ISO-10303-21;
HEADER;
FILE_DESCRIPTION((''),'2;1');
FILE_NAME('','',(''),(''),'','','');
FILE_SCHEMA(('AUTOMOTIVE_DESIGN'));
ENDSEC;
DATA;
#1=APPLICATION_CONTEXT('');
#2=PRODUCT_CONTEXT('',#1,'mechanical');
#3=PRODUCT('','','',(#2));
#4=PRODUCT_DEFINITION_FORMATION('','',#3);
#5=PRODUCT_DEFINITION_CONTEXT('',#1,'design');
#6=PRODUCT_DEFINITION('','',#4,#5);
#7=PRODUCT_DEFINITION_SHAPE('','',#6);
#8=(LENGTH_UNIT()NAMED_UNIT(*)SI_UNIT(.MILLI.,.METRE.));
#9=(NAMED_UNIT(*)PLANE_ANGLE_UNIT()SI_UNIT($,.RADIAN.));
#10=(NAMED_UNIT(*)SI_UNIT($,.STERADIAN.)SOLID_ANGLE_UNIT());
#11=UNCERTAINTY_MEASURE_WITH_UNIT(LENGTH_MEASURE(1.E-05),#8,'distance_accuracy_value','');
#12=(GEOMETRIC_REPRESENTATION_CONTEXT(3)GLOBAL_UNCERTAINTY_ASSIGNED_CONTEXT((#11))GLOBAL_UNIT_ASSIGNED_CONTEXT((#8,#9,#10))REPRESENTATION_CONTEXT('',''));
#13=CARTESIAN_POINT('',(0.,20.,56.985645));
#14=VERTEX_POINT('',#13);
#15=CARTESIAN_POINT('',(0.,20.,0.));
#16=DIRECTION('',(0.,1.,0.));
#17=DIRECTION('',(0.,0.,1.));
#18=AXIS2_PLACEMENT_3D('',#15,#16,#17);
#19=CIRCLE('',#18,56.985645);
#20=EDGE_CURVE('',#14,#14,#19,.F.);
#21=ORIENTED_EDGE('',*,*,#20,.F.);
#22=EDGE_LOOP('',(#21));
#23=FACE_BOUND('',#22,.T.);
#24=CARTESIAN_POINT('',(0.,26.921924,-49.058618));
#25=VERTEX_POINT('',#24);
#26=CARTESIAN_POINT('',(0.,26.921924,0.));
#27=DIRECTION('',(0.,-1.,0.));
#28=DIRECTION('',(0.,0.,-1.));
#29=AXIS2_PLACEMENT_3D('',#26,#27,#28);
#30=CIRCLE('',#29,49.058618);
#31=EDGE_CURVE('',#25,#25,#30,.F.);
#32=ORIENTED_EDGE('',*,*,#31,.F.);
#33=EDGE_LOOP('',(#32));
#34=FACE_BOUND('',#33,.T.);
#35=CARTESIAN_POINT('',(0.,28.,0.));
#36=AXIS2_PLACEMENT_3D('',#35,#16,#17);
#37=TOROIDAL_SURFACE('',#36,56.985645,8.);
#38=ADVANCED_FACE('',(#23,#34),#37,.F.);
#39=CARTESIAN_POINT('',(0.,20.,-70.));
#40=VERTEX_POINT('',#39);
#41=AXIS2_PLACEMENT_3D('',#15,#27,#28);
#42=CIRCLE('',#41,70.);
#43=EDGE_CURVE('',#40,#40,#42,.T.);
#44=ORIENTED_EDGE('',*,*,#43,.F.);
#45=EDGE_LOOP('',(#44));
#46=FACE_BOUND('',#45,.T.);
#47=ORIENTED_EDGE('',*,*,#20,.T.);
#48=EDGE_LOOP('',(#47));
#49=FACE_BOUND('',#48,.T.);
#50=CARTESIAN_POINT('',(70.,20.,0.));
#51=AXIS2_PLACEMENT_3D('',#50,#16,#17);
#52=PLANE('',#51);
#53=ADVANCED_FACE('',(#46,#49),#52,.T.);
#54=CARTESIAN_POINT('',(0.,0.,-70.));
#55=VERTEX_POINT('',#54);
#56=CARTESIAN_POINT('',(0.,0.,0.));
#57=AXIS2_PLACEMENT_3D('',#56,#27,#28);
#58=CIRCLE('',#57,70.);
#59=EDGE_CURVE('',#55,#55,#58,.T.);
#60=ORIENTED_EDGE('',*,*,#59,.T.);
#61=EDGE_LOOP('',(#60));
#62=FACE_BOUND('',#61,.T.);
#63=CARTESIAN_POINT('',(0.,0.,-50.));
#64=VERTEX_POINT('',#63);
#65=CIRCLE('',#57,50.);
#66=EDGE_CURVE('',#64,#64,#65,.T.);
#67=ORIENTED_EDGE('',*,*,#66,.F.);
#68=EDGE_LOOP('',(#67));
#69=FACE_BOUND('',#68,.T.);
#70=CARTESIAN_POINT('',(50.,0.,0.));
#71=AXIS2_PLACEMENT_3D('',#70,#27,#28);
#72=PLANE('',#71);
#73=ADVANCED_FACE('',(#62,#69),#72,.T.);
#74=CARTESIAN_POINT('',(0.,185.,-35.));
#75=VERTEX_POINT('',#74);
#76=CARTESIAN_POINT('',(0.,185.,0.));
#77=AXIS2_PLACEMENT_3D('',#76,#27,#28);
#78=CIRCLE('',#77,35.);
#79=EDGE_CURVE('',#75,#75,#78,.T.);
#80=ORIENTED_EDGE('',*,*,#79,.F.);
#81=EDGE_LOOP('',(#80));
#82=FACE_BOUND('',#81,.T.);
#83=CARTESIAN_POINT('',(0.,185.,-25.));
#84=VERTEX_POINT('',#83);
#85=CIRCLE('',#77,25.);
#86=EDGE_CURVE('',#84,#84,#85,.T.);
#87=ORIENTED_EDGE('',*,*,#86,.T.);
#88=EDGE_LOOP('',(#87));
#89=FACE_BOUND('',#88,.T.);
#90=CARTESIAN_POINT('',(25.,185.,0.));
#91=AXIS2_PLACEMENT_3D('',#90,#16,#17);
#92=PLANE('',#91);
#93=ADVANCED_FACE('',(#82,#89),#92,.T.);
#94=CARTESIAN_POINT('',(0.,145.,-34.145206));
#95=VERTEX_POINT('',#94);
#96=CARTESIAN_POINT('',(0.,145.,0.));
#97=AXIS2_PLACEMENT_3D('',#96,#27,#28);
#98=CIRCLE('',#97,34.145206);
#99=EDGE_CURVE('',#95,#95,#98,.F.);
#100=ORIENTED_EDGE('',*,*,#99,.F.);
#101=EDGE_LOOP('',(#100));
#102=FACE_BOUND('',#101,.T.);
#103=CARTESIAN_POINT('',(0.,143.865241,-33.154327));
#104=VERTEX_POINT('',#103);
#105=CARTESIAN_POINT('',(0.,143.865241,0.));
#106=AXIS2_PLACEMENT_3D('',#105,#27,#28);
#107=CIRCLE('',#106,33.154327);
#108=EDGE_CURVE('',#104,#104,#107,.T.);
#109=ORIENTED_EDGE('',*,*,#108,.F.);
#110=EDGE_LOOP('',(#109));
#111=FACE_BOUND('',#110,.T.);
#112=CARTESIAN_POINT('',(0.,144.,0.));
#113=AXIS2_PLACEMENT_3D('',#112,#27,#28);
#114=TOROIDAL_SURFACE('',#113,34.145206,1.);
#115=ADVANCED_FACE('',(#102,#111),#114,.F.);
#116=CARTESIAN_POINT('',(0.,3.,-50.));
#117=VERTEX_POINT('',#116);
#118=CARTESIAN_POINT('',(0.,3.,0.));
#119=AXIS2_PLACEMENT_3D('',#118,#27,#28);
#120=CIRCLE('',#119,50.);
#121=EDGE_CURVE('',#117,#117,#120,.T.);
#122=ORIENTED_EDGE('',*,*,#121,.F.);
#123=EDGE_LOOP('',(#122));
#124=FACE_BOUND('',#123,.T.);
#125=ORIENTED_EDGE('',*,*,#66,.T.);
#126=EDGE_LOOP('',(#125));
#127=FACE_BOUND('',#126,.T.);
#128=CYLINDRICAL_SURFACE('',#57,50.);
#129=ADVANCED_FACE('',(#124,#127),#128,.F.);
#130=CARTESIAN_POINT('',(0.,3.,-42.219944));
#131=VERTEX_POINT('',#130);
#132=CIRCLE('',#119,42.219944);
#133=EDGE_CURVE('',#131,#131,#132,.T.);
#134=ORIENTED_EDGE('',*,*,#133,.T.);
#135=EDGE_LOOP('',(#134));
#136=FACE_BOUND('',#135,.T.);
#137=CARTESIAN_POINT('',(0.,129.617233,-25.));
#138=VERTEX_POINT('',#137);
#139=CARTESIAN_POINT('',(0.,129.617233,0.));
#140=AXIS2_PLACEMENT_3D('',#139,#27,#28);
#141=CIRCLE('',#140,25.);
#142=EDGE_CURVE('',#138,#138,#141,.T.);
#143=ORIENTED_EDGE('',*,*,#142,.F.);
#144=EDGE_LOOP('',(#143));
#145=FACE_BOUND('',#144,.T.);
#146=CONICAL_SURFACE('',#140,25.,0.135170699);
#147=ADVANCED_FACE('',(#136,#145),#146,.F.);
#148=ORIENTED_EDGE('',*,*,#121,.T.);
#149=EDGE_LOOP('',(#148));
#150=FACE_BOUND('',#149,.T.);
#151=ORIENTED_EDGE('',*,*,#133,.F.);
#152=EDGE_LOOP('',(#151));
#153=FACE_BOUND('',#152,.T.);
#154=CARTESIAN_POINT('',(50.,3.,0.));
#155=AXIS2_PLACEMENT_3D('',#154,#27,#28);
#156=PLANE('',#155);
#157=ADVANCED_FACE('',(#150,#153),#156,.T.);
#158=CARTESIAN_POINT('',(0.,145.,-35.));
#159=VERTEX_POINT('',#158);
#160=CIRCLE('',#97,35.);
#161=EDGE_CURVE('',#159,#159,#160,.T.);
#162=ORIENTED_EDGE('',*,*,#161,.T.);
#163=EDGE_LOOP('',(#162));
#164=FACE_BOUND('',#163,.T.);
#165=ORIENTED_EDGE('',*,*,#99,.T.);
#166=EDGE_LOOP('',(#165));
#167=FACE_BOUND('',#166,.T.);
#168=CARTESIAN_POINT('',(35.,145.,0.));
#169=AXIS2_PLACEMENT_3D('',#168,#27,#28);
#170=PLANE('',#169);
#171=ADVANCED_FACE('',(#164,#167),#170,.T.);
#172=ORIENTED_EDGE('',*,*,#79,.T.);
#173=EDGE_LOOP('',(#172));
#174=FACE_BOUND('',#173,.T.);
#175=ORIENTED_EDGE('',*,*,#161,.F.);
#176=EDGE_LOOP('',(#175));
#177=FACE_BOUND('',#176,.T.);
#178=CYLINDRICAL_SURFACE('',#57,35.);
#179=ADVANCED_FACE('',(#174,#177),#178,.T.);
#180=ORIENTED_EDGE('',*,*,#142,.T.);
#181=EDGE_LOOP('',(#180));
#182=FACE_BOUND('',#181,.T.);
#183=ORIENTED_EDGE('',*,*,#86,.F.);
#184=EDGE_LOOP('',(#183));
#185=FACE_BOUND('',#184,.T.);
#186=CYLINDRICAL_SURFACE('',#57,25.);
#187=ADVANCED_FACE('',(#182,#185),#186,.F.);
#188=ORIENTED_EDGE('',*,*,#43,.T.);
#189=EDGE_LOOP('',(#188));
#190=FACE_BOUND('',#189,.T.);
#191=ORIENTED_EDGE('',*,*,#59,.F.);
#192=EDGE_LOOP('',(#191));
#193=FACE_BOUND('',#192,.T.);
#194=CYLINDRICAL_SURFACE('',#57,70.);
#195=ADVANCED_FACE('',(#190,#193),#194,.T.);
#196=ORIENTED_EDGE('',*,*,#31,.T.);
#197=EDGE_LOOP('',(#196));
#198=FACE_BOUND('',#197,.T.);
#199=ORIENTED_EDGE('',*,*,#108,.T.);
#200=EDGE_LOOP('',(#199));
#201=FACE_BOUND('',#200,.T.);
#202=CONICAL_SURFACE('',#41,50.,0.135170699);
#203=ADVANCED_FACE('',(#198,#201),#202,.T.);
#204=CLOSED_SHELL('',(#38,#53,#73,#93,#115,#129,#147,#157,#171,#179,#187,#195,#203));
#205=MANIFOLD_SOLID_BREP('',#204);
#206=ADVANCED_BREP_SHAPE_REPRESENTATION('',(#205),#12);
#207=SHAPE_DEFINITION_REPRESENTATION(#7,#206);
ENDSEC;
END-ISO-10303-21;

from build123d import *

# Parameters (mm, degrees)
FILLET1_R = 8
FILLET2_R = 1


with BuildPart() as part:
    # Sketch2 → Revolve2 (revolve)
    with BuildSketch(Plane.XY, mode=Mode.PRIVATE) as revolve2_sk:
        Polygon((50, 0), (70, 0), (70, 20), (50, 20), (33, 145), (35, 145), (35, 185), (25, 185), (25, 129.61723322), (42.219943718, 3), (50, 3), align=None)
    revolve(revolve2_sk.sketch.rotate(Axis((0, 0, 0), (0, 1, 0)), 90), axis=Axis((0, 0, 0), (0, 1, 0)))

    # Fillet1
    fillet1_edges = [part.edges().sort_by_distance(p)[0] for p in [
        (0, 20, 50),
    ]]
    fillet(fillet1_edges, radius=FILLET1_R)

    # Fillet2
    fillet2_edges = [part.edges().sort_by_distance(p)[0] for p in [
        (0, 145, 33),
    ]]
    fillet(fillet2_edges, radius=FILLET2_R)


solid = part.part
